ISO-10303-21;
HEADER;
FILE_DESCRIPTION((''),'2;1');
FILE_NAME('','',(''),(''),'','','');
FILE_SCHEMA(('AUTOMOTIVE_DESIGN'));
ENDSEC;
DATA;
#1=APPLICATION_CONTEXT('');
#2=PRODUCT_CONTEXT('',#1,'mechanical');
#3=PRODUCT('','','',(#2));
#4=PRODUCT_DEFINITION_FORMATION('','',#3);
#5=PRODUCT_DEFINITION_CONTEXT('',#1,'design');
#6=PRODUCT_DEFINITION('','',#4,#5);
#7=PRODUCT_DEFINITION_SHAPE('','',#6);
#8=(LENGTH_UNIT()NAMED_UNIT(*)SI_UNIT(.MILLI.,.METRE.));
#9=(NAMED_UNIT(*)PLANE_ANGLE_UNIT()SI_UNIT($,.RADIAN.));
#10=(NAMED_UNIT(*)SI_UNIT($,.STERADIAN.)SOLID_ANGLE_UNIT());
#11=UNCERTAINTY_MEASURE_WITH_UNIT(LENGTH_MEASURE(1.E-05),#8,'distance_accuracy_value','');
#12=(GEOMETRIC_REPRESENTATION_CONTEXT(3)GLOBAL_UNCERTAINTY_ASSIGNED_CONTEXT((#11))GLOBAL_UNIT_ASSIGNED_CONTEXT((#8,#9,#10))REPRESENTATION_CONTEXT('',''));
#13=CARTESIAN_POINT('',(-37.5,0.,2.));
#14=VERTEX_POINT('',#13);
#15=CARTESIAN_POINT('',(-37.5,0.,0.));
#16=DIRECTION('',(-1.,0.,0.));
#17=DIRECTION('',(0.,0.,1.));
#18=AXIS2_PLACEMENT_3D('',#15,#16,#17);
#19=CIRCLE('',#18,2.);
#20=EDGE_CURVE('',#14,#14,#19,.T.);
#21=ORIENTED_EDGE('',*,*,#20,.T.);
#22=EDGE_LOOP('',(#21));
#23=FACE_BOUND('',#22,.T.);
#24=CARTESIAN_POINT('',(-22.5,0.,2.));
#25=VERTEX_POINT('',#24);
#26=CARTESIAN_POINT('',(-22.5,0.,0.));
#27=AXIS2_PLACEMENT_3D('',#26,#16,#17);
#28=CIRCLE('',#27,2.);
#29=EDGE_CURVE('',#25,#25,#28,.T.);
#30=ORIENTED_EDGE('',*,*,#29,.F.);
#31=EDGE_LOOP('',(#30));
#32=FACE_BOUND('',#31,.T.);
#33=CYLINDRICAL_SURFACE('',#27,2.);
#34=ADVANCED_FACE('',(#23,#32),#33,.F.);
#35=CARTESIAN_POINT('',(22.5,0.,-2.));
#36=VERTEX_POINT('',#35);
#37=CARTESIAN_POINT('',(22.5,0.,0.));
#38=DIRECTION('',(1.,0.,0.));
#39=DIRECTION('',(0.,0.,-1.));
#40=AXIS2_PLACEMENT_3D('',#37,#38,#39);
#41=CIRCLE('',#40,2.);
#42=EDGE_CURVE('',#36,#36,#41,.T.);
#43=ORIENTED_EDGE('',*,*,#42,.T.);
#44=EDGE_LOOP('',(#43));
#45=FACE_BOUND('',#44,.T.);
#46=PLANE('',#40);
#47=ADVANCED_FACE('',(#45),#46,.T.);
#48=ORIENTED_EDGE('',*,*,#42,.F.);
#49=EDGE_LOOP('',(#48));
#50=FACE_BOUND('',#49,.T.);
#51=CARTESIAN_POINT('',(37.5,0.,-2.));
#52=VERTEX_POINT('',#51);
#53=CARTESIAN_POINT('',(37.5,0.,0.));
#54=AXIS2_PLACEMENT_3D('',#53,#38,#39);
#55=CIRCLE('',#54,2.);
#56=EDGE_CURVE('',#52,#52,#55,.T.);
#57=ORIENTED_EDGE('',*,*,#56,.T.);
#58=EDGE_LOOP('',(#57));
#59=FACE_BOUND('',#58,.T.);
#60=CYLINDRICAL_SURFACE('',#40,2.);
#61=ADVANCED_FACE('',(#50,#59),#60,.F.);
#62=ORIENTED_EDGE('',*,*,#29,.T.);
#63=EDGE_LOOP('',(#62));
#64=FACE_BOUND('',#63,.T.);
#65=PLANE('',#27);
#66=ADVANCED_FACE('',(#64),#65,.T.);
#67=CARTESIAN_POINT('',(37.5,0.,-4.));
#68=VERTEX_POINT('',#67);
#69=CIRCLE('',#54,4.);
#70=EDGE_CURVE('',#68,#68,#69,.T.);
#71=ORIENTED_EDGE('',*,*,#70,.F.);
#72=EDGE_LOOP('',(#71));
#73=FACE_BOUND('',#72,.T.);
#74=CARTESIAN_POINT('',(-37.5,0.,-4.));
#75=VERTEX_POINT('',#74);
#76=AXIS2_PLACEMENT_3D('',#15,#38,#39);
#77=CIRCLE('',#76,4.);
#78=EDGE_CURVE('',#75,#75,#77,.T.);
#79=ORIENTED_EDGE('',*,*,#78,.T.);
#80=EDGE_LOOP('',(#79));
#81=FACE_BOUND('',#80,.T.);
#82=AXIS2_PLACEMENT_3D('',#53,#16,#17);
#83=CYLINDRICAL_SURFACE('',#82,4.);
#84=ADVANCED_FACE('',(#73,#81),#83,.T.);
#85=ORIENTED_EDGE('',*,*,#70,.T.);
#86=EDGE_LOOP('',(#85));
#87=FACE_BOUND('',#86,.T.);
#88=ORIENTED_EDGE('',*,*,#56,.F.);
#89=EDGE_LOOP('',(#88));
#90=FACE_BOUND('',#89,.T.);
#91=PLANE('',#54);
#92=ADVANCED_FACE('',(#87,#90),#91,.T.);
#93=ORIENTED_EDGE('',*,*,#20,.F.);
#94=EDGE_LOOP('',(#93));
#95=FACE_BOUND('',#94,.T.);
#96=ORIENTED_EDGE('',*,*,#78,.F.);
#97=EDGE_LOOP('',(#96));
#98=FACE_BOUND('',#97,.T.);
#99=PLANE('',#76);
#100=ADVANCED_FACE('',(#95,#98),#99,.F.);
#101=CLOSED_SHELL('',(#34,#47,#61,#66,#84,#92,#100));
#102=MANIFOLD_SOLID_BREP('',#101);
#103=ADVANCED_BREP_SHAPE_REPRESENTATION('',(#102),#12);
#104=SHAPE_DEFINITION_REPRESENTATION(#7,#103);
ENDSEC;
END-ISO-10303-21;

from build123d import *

# Parameters (mm, degrees)
SKETCH1_R           = 4
BOSS_EXTRUDE1_DEPTH = 37.5
SKETCH2_R           = 2
CUT_EXTRUDE1_DEPTH  = 15
CUT_EXTRUDE2_START  = -15
SKETCH3_R           = 2
CUT_EXTRUDE2_DEPTH  = 15


with BuildPart() as part:
    # Sketch1 → Boss-Extrude1 (new, symmetric)
    with BuildSketch(Plane(origin=(0, 0, 0), x_dir=(0, 0, -1), z_dir=(1, 0, 0))):
        Circle(SKETCH1_R)
    extrude(amount=BOSS_EXTRUDE1_DEPTH, both=True)

    # Sketch2 → Cut-Extrude1 (cut)
    with BuildSketch(Plane(origin=(37.5, 0, 0), x_dir=(0, 0, -1), z_dir=(1, 0, 0))):
        Circle(SKETCH2_R)
    extrude(amount=-CUT_EXTRUDE1_DEPTH, mode=Mode.SUBTRACT)

    # Sketch3 → Cut-Extrude2 (cut)
    with BuildSketch(Plane.ZY.offset(37.5).offset(CUT_EXTRUDE2_START)):
        with Locations(Location((0, 0, 0), (0, 0, 180))):
            Circle(SKETCH3_R)
    extrude(amount=CUT_EXTRUDE2_DEPTH, mode=Mode.SUBTRACT)


solid = part.part
